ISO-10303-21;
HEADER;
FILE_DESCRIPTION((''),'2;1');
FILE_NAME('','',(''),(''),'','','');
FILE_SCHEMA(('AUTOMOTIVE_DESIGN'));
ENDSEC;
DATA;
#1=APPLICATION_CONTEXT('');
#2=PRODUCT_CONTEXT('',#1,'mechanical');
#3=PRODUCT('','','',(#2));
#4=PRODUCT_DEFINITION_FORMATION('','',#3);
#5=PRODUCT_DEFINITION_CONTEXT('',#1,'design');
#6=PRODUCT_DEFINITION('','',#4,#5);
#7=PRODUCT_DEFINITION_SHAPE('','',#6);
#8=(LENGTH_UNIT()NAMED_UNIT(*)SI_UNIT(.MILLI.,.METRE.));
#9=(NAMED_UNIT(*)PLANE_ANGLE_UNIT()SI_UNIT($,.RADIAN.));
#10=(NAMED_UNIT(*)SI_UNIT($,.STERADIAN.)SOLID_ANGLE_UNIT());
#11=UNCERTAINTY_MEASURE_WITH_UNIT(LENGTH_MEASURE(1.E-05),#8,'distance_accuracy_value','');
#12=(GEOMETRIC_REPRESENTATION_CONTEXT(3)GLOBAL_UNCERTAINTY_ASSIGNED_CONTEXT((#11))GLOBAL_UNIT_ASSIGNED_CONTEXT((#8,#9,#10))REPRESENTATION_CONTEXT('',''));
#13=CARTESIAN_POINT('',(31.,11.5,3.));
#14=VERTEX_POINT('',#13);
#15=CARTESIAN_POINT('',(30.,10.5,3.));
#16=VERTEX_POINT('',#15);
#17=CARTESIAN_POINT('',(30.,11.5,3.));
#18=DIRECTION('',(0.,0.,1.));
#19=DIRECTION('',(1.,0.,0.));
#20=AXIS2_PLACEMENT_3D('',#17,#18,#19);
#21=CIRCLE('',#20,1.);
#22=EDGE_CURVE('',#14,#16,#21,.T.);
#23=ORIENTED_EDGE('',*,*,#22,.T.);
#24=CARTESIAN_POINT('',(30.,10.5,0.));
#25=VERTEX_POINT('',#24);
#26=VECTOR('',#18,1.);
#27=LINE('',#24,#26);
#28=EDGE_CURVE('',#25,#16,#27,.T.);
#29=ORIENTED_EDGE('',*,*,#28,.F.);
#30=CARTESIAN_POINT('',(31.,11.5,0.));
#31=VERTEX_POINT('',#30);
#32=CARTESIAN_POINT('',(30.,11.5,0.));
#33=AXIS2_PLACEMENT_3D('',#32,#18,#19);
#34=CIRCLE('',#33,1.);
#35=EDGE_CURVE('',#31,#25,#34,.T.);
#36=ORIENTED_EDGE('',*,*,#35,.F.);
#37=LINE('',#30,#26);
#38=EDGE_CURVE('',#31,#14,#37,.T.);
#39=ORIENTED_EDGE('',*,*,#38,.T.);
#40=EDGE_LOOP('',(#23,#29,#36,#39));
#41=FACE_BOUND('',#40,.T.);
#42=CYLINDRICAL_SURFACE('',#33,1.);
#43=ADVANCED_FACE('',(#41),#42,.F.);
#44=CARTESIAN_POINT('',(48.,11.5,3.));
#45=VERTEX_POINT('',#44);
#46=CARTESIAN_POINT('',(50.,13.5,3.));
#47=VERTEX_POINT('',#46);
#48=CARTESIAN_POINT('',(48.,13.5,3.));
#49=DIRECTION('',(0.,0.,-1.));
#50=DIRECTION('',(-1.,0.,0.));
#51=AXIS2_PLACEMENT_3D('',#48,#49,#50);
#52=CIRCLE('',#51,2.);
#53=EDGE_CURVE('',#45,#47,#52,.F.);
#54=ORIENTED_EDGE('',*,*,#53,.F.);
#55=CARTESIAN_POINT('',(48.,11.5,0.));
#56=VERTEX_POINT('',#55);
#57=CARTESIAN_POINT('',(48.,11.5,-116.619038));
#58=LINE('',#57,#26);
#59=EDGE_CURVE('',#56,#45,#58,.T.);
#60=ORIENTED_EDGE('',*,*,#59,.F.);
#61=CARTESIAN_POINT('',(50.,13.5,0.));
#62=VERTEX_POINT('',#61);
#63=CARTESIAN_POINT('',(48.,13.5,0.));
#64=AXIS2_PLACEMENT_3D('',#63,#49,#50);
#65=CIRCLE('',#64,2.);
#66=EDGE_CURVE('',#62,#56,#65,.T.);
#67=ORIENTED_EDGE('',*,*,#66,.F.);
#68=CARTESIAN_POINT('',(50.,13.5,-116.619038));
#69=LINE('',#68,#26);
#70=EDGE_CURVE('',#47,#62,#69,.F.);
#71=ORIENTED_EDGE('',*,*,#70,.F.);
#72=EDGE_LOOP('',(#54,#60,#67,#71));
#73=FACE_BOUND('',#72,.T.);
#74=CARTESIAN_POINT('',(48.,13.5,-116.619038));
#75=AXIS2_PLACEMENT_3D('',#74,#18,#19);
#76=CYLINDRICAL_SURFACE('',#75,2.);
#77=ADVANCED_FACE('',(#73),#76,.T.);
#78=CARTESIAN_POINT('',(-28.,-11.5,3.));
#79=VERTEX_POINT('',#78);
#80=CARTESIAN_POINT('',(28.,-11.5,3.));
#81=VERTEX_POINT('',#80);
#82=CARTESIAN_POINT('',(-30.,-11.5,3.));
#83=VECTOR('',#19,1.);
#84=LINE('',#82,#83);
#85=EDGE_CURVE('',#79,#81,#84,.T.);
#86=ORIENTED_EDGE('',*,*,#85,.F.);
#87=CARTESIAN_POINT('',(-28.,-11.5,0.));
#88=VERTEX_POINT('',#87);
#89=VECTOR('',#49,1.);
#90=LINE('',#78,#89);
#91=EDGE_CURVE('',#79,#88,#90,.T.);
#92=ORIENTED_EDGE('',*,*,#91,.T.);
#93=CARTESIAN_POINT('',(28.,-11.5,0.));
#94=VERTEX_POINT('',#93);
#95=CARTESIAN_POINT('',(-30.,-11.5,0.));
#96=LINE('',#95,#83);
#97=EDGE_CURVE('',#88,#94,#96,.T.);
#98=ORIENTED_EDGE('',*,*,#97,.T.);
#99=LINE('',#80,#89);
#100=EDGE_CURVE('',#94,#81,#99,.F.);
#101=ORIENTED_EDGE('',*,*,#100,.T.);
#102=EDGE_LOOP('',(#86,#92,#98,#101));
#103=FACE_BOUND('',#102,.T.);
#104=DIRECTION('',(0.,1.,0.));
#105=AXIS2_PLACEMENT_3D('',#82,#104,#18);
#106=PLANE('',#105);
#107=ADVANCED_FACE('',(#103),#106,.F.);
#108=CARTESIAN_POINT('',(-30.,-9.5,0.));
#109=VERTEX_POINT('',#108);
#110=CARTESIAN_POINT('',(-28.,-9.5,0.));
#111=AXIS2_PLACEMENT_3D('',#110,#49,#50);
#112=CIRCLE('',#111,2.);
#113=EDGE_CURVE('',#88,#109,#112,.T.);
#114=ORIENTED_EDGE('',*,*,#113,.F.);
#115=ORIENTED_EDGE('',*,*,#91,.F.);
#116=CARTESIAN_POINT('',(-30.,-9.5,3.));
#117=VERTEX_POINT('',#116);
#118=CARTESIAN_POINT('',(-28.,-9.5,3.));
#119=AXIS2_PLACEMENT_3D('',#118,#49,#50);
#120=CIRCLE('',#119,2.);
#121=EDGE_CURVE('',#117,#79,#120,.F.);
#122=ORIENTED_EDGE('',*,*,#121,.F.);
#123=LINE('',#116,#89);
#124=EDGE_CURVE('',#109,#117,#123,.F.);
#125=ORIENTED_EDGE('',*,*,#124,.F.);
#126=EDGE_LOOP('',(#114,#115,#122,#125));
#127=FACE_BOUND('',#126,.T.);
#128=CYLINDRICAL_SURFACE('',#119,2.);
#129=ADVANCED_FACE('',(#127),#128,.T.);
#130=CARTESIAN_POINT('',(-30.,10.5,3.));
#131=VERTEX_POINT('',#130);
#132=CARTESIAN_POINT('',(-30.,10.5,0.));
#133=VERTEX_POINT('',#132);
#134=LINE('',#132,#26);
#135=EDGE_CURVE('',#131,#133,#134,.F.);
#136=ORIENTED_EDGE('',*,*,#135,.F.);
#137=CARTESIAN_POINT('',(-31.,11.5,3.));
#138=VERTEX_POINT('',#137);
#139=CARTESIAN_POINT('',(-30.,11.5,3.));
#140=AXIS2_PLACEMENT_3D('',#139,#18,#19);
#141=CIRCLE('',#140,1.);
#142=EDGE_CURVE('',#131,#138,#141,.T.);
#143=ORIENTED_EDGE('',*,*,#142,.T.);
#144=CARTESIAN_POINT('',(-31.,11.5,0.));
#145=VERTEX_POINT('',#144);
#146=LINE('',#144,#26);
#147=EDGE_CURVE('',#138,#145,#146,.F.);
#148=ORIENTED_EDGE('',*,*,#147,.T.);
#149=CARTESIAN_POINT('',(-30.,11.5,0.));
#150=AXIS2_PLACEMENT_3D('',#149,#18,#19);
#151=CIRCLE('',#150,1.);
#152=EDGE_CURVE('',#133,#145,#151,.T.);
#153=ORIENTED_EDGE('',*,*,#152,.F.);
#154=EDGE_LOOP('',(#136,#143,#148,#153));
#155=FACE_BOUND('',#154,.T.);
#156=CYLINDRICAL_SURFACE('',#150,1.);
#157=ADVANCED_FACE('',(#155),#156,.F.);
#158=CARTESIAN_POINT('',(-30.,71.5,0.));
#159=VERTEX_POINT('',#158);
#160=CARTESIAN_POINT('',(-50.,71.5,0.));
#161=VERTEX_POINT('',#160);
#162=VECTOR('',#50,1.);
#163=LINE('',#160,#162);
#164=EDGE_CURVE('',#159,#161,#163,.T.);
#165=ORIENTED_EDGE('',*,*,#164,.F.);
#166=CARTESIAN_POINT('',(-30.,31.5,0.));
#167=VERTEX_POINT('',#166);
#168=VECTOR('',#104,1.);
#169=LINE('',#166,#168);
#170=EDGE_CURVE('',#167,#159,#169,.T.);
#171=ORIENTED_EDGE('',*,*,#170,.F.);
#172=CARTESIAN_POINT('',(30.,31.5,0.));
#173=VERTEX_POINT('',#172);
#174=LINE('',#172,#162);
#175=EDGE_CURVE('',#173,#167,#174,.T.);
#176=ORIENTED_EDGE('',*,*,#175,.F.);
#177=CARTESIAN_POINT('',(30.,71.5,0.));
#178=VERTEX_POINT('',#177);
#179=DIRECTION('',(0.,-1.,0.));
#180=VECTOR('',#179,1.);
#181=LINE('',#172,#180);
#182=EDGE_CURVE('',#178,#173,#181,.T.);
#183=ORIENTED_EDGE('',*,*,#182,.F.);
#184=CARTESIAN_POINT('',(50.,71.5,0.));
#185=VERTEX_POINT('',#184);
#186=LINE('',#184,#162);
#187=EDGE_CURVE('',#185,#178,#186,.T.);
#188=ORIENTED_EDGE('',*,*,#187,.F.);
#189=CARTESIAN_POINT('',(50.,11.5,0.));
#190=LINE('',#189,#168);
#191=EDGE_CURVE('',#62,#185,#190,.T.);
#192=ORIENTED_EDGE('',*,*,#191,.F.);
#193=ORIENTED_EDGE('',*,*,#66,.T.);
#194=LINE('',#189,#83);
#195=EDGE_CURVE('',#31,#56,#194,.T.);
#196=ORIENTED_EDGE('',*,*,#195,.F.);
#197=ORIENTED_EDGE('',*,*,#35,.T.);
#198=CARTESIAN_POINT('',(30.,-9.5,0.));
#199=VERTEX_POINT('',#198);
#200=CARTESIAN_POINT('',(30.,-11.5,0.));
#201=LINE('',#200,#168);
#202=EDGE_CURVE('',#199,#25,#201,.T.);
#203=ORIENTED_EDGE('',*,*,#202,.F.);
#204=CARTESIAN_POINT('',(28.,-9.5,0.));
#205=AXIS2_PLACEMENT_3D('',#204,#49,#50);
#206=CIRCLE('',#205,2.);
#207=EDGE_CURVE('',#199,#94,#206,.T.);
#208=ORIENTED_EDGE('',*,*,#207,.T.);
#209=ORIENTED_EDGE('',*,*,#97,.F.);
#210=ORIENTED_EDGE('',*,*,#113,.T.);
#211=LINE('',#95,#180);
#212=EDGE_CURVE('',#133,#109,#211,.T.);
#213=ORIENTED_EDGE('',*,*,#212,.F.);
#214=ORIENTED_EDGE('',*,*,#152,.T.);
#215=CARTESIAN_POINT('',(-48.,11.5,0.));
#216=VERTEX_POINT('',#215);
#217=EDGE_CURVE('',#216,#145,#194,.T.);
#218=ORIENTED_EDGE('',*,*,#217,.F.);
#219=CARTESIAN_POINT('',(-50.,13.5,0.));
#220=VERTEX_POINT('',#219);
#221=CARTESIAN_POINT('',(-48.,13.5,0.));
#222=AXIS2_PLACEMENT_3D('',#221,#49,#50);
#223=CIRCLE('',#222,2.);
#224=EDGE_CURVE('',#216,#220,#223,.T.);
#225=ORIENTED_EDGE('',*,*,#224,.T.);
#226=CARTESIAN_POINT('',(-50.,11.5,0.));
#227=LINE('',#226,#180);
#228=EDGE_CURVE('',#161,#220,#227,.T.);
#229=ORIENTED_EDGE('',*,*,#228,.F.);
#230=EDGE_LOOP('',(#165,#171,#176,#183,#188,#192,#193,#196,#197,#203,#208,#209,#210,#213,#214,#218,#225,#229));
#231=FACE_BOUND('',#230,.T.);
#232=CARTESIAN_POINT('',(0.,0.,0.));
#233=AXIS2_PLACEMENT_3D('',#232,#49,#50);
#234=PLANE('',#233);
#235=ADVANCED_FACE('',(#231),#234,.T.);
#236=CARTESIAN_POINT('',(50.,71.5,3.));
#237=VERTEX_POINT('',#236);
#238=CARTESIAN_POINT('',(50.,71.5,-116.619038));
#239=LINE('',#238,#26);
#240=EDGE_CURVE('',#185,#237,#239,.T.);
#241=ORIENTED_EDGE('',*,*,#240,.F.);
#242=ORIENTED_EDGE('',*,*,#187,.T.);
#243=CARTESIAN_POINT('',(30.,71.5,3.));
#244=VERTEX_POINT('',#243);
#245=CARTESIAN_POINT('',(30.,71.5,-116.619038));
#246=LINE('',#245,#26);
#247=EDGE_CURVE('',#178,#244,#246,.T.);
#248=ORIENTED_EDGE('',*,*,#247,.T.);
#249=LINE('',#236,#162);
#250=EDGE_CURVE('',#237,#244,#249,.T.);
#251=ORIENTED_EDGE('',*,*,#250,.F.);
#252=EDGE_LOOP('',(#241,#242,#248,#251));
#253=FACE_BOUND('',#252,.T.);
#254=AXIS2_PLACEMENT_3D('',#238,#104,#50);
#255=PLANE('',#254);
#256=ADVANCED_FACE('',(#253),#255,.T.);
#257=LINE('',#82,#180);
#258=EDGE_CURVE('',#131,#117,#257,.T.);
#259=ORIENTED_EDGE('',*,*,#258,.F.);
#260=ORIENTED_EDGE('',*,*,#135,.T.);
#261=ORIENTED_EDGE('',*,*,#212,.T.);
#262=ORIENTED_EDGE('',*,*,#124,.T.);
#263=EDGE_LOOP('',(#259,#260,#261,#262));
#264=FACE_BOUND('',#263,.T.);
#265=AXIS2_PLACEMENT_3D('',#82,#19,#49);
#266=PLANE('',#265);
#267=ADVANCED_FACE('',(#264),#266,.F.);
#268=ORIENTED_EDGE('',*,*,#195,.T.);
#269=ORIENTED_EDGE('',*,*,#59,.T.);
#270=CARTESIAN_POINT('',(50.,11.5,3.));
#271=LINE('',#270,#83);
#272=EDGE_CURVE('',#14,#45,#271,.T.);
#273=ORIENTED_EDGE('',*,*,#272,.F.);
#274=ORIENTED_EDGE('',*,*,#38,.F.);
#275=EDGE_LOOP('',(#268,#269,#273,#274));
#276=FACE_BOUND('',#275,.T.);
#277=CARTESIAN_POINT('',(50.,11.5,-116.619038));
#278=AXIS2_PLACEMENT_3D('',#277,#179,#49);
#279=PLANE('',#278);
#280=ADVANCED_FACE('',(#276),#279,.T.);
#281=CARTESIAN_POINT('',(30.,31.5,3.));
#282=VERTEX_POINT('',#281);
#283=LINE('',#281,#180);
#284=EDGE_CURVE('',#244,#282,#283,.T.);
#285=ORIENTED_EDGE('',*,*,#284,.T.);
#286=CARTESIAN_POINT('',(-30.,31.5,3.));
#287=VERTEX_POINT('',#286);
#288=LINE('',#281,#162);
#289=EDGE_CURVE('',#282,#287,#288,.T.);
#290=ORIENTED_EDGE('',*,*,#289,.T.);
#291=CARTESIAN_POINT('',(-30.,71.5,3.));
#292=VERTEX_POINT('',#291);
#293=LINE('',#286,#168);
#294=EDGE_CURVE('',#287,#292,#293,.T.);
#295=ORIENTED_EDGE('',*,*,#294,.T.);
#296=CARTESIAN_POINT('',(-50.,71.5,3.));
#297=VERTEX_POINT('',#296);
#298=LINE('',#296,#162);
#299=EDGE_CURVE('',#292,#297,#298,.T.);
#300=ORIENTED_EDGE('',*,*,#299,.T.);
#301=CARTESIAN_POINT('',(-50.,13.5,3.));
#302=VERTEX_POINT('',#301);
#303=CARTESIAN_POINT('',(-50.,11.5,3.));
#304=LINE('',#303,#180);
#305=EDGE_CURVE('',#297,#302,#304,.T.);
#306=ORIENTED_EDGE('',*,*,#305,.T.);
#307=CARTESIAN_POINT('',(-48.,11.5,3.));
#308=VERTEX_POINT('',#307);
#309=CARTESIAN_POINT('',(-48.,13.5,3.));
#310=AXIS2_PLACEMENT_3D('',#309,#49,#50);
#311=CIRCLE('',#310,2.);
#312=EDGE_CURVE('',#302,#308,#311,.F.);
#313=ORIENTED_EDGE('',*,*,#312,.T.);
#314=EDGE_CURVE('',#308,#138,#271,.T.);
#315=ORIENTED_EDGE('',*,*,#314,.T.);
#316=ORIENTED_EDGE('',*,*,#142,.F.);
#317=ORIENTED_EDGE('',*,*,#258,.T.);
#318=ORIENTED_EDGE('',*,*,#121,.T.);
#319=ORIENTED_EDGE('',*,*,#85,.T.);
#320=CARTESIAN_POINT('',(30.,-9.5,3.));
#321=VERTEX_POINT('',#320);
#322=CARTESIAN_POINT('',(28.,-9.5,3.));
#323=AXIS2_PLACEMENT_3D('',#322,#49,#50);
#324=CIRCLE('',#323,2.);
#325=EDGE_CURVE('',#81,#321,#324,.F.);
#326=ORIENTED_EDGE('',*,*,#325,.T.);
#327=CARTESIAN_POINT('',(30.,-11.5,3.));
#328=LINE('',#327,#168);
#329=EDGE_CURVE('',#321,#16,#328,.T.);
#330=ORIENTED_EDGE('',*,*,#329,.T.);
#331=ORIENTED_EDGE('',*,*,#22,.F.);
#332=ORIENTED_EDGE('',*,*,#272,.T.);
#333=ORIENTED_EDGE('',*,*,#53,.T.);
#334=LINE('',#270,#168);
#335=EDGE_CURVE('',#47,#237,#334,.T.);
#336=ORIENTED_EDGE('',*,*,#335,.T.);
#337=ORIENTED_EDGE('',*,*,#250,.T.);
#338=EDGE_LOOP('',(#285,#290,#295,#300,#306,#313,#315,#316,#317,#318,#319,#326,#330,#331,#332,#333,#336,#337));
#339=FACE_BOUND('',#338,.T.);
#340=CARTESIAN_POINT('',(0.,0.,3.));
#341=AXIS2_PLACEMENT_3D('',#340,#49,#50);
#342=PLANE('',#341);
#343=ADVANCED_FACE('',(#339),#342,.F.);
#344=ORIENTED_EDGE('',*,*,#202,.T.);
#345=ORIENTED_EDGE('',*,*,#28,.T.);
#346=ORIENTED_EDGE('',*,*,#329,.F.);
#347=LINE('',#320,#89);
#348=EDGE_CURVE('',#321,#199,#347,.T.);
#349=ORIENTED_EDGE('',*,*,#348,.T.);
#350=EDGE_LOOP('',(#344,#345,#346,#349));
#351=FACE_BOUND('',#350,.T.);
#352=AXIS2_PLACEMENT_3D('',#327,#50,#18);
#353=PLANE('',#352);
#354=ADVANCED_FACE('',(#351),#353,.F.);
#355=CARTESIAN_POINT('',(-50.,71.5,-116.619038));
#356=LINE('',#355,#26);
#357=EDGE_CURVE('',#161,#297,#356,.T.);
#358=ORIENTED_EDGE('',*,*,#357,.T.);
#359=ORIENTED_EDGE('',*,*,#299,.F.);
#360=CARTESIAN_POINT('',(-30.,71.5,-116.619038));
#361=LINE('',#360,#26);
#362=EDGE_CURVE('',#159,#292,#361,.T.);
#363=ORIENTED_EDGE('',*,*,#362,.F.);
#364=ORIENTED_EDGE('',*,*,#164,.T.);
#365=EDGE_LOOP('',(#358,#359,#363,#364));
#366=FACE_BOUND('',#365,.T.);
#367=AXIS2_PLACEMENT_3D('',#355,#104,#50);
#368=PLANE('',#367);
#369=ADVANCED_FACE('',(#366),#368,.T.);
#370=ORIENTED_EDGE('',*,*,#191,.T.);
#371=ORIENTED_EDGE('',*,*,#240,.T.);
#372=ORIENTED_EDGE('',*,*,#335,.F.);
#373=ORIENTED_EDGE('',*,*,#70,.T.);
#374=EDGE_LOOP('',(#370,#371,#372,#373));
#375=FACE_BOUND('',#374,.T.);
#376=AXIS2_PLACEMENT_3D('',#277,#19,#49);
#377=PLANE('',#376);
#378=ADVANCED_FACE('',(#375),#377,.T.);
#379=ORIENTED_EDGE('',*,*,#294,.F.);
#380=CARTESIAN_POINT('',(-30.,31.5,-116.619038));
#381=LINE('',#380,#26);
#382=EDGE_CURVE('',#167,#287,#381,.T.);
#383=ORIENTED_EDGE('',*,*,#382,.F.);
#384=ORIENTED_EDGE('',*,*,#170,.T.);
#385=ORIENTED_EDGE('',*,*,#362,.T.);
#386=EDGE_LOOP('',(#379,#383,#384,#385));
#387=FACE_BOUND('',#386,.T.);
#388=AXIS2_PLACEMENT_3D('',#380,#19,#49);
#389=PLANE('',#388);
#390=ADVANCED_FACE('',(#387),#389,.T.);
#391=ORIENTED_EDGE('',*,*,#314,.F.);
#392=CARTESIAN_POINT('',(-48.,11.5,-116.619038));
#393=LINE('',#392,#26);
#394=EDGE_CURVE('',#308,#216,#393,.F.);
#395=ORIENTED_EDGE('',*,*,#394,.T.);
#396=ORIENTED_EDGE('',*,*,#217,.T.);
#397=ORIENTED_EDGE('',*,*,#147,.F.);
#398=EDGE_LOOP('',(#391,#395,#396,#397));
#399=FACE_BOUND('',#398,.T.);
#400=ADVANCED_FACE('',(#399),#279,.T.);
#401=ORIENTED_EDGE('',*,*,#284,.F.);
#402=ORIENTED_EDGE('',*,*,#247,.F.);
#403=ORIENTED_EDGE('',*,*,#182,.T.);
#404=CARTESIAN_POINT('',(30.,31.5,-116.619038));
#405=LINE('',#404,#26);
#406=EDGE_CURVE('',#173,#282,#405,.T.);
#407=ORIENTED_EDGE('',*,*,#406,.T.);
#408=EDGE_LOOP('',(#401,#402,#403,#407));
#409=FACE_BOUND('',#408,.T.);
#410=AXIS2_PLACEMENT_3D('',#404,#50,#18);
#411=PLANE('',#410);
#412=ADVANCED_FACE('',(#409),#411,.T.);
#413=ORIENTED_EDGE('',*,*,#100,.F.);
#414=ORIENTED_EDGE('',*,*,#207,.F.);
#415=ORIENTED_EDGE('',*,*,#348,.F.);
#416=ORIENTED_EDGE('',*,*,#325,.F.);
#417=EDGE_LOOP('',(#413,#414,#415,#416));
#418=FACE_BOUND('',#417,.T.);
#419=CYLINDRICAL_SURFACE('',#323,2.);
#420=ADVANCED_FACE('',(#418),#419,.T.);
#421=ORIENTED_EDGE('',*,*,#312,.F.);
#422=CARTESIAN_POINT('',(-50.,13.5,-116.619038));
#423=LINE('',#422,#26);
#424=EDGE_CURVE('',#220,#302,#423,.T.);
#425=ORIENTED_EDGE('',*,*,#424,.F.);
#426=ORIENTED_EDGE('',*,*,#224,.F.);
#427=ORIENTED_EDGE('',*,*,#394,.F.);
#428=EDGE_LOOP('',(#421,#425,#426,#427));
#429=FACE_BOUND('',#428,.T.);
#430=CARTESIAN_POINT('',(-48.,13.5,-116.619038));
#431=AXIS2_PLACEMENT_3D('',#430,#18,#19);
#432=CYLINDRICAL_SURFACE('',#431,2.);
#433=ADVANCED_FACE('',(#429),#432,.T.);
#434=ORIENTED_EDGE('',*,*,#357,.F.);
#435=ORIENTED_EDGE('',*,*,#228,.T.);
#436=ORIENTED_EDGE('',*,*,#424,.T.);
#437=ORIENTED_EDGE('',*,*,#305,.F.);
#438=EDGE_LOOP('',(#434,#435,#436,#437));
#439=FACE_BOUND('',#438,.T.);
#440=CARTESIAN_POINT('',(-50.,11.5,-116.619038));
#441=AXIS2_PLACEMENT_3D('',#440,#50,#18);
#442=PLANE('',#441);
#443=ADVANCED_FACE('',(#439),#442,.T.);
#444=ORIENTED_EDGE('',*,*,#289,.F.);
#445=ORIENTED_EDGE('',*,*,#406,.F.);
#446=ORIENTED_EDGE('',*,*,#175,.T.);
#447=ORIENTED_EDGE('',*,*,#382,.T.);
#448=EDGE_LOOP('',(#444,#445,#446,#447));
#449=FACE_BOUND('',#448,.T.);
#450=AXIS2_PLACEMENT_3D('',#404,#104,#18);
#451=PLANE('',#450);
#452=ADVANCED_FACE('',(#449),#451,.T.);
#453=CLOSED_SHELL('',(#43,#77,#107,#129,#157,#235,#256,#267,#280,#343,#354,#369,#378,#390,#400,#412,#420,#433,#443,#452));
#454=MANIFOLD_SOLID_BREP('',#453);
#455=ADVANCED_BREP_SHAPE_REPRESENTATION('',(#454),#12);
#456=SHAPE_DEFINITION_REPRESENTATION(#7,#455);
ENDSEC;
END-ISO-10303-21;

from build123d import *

# Parameters (mm, degrees)
SKETCH1_W           = 60
SKETCH1_H           = 23
BOSS_EXTRUDE1_DEPTH = 3
BOSS_EXTRUDE2_DEPTH = 3
SKETCH3_R           = 1
CUT_EXTRUDE1_DEPTH  = 88.299770905
FILLET1_R           = 2


with BuildPart() as part:
    # Sketch1 → Boss-Extrude1 (new body)
    with BuildSketch(Plane.XY):
        Rectangle(SKETCH1_W, SKETCH1_H)
    extrude(amount=BOSS_EXTRUDE1_DEPTH)

    # Sketch2 → Boss-Extrude2 (add)
    with BuildSketch(Plane.XY.offset(3)):
        Polygon((50, 11.5), (-50, 11.5), (-50, 71.5), (-30, 71.5), (-30, 31.5), (30, 31.5), (30, 71.5), (50, 71.5), align=None)
    extrude(amount=-BOSS_EXTRUDE2_DEPTH)

    # Sketch3 → Cut-Extrude1 (cut, through all)
    with BuildSketch(Plane.XY.offset(3)):
        with Locations((-30, 11.5)):
            Circle(SKETCH3_R)
        with Locations((30, 11.5)):
            Circle(SKETCH3_R)
    extrude(amount=-CUT_EXTRUDE1_DEPTH, mode=Mode.SUBTRACT)

    # Fillet1
    fillet1_edges = [part.edges().sort_by_distance(p)[0] for p in [
        (50, 11.5, 1.5),
        (-50, 11.5, 1.5),
        (30, -11.5, 1.5),
        (-30, -11.5, 1.5),
    ]]
    fillet(fillet1_edges, radius=FILLET1_R)


solid = part.part
